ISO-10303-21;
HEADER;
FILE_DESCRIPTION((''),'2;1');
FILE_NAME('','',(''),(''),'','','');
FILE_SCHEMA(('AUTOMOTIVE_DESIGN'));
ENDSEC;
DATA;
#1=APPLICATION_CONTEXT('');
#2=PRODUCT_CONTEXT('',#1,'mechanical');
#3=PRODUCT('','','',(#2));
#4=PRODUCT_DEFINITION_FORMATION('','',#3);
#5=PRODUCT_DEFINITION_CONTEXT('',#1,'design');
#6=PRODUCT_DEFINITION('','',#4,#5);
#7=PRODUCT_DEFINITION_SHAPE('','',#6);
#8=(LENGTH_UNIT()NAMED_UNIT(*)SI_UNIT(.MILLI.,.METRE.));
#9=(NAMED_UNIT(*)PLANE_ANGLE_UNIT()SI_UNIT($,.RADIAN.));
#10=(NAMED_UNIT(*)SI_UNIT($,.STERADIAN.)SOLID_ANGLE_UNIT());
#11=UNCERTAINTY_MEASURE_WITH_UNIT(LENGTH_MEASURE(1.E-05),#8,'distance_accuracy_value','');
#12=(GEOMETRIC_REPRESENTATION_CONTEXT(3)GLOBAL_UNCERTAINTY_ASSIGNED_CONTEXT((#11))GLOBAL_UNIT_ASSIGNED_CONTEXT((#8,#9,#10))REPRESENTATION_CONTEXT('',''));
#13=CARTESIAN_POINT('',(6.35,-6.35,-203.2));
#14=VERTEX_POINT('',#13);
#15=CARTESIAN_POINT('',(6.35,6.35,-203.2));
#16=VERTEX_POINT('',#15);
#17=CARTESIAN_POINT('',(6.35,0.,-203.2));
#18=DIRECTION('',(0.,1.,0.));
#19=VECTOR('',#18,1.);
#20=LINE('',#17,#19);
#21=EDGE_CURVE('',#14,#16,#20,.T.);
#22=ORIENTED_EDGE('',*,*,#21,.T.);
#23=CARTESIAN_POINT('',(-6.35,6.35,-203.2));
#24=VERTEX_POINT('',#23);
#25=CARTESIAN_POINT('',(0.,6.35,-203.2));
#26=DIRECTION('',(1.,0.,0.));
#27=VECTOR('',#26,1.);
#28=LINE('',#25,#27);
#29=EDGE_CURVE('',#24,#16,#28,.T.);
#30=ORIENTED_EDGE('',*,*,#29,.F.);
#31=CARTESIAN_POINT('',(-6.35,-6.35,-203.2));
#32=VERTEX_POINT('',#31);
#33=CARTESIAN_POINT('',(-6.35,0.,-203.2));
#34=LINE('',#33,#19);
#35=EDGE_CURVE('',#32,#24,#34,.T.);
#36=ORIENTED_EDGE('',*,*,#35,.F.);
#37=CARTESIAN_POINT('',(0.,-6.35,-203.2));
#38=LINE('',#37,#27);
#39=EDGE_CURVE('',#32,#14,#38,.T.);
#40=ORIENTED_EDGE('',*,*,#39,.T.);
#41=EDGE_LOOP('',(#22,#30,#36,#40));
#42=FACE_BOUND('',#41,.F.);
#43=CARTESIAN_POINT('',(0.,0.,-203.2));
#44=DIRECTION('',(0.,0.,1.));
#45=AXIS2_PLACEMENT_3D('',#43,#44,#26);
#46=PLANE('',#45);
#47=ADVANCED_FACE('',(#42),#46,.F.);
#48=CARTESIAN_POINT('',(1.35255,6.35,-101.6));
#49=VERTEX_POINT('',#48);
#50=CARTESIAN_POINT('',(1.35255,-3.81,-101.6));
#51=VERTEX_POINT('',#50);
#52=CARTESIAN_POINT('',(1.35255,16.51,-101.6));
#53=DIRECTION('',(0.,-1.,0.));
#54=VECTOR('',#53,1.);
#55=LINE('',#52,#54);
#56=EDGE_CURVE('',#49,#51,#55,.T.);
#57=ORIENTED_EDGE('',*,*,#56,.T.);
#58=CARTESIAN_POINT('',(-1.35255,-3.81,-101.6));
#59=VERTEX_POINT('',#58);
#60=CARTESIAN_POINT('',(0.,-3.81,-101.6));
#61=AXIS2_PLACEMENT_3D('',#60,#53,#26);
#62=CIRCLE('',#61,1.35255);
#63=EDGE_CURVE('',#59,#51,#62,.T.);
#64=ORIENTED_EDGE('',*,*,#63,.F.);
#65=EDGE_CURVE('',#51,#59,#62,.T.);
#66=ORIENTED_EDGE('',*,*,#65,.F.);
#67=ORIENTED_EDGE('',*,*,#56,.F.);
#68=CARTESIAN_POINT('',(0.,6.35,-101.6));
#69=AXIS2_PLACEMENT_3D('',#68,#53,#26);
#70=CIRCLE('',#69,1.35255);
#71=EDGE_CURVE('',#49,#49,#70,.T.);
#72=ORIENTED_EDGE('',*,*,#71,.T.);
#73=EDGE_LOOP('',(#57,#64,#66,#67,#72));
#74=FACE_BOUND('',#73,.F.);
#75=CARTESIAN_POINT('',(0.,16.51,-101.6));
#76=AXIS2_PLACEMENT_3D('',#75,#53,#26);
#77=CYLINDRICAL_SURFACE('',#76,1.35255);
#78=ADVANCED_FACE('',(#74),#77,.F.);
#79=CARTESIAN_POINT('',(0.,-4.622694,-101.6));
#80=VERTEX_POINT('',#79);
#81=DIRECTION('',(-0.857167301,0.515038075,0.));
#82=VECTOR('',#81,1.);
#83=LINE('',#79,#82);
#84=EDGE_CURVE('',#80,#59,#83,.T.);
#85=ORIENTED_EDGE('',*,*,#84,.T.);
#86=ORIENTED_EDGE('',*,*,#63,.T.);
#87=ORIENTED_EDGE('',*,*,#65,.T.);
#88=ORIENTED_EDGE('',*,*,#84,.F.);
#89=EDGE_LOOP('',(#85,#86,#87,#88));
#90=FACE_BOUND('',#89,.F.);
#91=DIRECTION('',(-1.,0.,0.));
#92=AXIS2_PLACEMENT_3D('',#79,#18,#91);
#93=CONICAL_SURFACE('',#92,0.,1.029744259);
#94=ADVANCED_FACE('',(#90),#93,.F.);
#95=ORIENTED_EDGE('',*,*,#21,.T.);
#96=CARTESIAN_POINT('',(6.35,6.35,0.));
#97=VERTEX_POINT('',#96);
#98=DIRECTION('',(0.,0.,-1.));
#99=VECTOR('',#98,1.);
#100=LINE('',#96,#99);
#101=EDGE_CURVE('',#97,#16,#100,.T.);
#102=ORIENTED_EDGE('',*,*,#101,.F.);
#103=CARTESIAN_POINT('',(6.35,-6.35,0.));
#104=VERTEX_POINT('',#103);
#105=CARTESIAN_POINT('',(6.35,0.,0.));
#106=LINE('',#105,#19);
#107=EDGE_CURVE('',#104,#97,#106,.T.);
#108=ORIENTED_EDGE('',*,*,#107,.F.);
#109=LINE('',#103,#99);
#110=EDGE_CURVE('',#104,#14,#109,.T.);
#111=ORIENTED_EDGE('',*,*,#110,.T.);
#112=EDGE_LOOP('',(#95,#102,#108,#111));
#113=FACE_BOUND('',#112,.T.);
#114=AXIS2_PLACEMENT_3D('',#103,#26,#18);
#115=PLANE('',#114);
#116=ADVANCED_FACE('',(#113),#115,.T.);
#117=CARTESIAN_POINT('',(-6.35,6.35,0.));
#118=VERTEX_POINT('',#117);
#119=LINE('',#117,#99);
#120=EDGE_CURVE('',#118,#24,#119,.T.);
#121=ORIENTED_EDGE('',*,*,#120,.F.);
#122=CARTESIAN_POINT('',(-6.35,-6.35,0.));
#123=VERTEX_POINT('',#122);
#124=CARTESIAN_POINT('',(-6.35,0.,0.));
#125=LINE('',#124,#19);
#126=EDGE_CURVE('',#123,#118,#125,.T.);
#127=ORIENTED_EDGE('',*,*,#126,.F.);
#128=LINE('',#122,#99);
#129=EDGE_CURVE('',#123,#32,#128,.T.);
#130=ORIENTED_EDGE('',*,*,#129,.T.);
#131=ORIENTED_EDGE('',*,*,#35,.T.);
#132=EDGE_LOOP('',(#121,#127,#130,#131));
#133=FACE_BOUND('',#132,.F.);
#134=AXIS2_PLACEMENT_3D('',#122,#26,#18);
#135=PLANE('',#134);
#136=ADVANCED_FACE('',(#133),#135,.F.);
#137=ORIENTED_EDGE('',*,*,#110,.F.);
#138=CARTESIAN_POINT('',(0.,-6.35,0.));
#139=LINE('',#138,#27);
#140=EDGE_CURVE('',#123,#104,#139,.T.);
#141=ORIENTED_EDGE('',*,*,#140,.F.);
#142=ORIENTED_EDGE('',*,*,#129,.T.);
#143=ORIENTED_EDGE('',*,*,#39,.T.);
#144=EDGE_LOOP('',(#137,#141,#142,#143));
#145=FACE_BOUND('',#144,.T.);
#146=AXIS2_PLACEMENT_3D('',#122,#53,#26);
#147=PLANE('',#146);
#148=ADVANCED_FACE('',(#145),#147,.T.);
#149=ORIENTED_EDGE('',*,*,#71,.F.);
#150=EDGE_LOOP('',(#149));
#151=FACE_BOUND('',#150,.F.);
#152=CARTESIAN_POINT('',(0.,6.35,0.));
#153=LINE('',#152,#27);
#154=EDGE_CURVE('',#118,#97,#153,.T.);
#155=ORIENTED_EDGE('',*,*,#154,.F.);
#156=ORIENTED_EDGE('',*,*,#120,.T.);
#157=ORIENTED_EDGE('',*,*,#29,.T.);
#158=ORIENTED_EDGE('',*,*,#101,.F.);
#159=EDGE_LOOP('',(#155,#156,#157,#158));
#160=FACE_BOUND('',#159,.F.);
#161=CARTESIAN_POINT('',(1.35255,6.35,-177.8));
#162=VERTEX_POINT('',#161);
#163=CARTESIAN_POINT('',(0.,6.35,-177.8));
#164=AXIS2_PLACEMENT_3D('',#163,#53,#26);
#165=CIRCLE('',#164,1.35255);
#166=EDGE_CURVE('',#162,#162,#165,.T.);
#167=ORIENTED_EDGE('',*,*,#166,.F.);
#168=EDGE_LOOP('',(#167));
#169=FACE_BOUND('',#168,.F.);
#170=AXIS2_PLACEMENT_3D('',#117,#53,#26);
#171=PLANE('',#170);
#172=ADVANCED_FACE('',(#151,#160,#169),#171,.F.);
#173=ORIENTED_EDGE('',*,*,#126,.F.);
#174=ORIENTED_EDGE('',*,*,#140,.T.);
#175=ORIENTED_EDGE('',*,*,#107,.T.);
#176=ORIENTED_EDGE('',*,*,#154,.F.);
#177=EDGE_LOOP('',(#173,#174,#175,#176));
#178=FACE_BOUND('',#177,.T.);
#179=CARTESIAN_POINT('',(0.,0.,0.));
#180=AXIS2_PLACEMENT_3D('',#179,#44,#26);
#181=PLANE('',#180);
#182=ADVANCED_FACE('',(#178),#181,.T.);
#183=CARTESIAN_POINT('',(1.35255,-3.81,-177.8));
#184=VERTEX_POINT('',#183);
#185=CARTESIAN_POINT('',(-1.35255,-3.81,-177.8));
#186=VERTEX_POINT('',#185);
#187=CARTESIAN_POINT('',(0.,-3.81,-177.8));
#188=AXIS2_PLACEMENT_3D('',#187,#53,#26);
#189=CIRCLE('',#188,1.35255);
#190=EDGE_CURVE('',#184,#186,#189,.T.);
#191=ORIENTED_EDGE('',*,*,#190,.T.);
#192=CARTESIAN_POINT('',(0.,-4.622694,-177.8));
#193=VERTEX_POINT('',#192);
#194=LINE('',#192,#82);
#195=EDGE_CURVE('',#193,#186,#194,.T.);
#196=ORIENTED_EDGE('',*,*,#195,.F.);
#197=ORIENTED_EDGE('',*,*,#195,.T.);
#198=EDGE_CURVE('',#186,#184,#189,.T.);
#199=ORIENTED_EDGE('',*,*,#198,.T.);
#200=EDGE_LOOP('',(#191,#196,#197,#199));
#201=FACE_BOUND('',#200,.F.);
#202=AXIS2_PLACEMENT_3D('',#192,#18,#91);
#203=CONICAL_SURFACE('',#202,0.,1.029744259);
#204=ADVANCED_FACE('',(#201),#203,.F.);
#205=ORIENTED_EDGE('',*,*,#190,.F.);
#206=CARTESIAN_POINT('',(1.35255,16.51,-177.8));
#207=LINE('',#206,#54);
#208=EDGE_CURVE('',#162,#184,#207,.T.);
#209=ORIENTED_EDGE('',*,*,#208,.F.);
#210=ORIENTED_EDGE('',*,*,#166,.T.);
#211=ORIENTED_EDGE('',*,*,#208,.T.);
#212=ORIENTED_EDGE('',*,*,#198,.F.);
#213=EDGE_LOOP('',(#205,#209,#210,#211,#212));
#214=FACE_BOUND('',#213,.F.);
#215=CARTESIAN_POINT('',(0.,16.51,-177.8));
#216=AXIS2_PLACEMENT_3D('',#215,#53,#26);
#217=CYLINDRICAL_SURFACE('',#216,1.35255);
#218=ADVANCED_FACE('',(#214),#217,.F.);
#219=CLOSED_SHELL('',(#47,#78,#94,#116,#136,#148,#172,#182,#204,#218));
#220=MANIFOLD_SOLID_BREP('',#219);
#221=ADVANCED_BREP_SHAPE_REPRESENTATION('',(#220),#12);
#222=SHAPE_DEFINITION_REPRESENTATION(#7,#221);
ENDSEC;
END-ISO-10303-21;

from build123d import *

# Parameters (mm, degrees)
F0_W     = 12.7
F0_H     = 12.7
F1_DEPTH = 203.2
F3_D     = 2.7051
F3_DEPTH = 10.16
F3_TIP   = 0.8126940303


with BuildPart() as f1:
    # F0 (on Top) → F1 (new body)
    with BuildSketch(Plane.XY):
        Rectangle(F0_W, F0_H)
    extrude(amount=-F1_DEPTH)

    # F3
    with Locations(Plane(origin=(0, 6.35, 0), x_dir=(-1, 0, 0), z_dir=(0, 1, 0))):
        with Locations((0, -101.6), (0, -177.8)):
            Hole(F3_D / 2, depth=F3_DEPTH)
            with Locations((0, 0, -(F3_DEPTH + F3_TIP / 2))):  # 118° drill point
                Cone(0, F3_D / 2, F3_TIP, mode=Mode.SUBTRACT)


solid = f1.part
